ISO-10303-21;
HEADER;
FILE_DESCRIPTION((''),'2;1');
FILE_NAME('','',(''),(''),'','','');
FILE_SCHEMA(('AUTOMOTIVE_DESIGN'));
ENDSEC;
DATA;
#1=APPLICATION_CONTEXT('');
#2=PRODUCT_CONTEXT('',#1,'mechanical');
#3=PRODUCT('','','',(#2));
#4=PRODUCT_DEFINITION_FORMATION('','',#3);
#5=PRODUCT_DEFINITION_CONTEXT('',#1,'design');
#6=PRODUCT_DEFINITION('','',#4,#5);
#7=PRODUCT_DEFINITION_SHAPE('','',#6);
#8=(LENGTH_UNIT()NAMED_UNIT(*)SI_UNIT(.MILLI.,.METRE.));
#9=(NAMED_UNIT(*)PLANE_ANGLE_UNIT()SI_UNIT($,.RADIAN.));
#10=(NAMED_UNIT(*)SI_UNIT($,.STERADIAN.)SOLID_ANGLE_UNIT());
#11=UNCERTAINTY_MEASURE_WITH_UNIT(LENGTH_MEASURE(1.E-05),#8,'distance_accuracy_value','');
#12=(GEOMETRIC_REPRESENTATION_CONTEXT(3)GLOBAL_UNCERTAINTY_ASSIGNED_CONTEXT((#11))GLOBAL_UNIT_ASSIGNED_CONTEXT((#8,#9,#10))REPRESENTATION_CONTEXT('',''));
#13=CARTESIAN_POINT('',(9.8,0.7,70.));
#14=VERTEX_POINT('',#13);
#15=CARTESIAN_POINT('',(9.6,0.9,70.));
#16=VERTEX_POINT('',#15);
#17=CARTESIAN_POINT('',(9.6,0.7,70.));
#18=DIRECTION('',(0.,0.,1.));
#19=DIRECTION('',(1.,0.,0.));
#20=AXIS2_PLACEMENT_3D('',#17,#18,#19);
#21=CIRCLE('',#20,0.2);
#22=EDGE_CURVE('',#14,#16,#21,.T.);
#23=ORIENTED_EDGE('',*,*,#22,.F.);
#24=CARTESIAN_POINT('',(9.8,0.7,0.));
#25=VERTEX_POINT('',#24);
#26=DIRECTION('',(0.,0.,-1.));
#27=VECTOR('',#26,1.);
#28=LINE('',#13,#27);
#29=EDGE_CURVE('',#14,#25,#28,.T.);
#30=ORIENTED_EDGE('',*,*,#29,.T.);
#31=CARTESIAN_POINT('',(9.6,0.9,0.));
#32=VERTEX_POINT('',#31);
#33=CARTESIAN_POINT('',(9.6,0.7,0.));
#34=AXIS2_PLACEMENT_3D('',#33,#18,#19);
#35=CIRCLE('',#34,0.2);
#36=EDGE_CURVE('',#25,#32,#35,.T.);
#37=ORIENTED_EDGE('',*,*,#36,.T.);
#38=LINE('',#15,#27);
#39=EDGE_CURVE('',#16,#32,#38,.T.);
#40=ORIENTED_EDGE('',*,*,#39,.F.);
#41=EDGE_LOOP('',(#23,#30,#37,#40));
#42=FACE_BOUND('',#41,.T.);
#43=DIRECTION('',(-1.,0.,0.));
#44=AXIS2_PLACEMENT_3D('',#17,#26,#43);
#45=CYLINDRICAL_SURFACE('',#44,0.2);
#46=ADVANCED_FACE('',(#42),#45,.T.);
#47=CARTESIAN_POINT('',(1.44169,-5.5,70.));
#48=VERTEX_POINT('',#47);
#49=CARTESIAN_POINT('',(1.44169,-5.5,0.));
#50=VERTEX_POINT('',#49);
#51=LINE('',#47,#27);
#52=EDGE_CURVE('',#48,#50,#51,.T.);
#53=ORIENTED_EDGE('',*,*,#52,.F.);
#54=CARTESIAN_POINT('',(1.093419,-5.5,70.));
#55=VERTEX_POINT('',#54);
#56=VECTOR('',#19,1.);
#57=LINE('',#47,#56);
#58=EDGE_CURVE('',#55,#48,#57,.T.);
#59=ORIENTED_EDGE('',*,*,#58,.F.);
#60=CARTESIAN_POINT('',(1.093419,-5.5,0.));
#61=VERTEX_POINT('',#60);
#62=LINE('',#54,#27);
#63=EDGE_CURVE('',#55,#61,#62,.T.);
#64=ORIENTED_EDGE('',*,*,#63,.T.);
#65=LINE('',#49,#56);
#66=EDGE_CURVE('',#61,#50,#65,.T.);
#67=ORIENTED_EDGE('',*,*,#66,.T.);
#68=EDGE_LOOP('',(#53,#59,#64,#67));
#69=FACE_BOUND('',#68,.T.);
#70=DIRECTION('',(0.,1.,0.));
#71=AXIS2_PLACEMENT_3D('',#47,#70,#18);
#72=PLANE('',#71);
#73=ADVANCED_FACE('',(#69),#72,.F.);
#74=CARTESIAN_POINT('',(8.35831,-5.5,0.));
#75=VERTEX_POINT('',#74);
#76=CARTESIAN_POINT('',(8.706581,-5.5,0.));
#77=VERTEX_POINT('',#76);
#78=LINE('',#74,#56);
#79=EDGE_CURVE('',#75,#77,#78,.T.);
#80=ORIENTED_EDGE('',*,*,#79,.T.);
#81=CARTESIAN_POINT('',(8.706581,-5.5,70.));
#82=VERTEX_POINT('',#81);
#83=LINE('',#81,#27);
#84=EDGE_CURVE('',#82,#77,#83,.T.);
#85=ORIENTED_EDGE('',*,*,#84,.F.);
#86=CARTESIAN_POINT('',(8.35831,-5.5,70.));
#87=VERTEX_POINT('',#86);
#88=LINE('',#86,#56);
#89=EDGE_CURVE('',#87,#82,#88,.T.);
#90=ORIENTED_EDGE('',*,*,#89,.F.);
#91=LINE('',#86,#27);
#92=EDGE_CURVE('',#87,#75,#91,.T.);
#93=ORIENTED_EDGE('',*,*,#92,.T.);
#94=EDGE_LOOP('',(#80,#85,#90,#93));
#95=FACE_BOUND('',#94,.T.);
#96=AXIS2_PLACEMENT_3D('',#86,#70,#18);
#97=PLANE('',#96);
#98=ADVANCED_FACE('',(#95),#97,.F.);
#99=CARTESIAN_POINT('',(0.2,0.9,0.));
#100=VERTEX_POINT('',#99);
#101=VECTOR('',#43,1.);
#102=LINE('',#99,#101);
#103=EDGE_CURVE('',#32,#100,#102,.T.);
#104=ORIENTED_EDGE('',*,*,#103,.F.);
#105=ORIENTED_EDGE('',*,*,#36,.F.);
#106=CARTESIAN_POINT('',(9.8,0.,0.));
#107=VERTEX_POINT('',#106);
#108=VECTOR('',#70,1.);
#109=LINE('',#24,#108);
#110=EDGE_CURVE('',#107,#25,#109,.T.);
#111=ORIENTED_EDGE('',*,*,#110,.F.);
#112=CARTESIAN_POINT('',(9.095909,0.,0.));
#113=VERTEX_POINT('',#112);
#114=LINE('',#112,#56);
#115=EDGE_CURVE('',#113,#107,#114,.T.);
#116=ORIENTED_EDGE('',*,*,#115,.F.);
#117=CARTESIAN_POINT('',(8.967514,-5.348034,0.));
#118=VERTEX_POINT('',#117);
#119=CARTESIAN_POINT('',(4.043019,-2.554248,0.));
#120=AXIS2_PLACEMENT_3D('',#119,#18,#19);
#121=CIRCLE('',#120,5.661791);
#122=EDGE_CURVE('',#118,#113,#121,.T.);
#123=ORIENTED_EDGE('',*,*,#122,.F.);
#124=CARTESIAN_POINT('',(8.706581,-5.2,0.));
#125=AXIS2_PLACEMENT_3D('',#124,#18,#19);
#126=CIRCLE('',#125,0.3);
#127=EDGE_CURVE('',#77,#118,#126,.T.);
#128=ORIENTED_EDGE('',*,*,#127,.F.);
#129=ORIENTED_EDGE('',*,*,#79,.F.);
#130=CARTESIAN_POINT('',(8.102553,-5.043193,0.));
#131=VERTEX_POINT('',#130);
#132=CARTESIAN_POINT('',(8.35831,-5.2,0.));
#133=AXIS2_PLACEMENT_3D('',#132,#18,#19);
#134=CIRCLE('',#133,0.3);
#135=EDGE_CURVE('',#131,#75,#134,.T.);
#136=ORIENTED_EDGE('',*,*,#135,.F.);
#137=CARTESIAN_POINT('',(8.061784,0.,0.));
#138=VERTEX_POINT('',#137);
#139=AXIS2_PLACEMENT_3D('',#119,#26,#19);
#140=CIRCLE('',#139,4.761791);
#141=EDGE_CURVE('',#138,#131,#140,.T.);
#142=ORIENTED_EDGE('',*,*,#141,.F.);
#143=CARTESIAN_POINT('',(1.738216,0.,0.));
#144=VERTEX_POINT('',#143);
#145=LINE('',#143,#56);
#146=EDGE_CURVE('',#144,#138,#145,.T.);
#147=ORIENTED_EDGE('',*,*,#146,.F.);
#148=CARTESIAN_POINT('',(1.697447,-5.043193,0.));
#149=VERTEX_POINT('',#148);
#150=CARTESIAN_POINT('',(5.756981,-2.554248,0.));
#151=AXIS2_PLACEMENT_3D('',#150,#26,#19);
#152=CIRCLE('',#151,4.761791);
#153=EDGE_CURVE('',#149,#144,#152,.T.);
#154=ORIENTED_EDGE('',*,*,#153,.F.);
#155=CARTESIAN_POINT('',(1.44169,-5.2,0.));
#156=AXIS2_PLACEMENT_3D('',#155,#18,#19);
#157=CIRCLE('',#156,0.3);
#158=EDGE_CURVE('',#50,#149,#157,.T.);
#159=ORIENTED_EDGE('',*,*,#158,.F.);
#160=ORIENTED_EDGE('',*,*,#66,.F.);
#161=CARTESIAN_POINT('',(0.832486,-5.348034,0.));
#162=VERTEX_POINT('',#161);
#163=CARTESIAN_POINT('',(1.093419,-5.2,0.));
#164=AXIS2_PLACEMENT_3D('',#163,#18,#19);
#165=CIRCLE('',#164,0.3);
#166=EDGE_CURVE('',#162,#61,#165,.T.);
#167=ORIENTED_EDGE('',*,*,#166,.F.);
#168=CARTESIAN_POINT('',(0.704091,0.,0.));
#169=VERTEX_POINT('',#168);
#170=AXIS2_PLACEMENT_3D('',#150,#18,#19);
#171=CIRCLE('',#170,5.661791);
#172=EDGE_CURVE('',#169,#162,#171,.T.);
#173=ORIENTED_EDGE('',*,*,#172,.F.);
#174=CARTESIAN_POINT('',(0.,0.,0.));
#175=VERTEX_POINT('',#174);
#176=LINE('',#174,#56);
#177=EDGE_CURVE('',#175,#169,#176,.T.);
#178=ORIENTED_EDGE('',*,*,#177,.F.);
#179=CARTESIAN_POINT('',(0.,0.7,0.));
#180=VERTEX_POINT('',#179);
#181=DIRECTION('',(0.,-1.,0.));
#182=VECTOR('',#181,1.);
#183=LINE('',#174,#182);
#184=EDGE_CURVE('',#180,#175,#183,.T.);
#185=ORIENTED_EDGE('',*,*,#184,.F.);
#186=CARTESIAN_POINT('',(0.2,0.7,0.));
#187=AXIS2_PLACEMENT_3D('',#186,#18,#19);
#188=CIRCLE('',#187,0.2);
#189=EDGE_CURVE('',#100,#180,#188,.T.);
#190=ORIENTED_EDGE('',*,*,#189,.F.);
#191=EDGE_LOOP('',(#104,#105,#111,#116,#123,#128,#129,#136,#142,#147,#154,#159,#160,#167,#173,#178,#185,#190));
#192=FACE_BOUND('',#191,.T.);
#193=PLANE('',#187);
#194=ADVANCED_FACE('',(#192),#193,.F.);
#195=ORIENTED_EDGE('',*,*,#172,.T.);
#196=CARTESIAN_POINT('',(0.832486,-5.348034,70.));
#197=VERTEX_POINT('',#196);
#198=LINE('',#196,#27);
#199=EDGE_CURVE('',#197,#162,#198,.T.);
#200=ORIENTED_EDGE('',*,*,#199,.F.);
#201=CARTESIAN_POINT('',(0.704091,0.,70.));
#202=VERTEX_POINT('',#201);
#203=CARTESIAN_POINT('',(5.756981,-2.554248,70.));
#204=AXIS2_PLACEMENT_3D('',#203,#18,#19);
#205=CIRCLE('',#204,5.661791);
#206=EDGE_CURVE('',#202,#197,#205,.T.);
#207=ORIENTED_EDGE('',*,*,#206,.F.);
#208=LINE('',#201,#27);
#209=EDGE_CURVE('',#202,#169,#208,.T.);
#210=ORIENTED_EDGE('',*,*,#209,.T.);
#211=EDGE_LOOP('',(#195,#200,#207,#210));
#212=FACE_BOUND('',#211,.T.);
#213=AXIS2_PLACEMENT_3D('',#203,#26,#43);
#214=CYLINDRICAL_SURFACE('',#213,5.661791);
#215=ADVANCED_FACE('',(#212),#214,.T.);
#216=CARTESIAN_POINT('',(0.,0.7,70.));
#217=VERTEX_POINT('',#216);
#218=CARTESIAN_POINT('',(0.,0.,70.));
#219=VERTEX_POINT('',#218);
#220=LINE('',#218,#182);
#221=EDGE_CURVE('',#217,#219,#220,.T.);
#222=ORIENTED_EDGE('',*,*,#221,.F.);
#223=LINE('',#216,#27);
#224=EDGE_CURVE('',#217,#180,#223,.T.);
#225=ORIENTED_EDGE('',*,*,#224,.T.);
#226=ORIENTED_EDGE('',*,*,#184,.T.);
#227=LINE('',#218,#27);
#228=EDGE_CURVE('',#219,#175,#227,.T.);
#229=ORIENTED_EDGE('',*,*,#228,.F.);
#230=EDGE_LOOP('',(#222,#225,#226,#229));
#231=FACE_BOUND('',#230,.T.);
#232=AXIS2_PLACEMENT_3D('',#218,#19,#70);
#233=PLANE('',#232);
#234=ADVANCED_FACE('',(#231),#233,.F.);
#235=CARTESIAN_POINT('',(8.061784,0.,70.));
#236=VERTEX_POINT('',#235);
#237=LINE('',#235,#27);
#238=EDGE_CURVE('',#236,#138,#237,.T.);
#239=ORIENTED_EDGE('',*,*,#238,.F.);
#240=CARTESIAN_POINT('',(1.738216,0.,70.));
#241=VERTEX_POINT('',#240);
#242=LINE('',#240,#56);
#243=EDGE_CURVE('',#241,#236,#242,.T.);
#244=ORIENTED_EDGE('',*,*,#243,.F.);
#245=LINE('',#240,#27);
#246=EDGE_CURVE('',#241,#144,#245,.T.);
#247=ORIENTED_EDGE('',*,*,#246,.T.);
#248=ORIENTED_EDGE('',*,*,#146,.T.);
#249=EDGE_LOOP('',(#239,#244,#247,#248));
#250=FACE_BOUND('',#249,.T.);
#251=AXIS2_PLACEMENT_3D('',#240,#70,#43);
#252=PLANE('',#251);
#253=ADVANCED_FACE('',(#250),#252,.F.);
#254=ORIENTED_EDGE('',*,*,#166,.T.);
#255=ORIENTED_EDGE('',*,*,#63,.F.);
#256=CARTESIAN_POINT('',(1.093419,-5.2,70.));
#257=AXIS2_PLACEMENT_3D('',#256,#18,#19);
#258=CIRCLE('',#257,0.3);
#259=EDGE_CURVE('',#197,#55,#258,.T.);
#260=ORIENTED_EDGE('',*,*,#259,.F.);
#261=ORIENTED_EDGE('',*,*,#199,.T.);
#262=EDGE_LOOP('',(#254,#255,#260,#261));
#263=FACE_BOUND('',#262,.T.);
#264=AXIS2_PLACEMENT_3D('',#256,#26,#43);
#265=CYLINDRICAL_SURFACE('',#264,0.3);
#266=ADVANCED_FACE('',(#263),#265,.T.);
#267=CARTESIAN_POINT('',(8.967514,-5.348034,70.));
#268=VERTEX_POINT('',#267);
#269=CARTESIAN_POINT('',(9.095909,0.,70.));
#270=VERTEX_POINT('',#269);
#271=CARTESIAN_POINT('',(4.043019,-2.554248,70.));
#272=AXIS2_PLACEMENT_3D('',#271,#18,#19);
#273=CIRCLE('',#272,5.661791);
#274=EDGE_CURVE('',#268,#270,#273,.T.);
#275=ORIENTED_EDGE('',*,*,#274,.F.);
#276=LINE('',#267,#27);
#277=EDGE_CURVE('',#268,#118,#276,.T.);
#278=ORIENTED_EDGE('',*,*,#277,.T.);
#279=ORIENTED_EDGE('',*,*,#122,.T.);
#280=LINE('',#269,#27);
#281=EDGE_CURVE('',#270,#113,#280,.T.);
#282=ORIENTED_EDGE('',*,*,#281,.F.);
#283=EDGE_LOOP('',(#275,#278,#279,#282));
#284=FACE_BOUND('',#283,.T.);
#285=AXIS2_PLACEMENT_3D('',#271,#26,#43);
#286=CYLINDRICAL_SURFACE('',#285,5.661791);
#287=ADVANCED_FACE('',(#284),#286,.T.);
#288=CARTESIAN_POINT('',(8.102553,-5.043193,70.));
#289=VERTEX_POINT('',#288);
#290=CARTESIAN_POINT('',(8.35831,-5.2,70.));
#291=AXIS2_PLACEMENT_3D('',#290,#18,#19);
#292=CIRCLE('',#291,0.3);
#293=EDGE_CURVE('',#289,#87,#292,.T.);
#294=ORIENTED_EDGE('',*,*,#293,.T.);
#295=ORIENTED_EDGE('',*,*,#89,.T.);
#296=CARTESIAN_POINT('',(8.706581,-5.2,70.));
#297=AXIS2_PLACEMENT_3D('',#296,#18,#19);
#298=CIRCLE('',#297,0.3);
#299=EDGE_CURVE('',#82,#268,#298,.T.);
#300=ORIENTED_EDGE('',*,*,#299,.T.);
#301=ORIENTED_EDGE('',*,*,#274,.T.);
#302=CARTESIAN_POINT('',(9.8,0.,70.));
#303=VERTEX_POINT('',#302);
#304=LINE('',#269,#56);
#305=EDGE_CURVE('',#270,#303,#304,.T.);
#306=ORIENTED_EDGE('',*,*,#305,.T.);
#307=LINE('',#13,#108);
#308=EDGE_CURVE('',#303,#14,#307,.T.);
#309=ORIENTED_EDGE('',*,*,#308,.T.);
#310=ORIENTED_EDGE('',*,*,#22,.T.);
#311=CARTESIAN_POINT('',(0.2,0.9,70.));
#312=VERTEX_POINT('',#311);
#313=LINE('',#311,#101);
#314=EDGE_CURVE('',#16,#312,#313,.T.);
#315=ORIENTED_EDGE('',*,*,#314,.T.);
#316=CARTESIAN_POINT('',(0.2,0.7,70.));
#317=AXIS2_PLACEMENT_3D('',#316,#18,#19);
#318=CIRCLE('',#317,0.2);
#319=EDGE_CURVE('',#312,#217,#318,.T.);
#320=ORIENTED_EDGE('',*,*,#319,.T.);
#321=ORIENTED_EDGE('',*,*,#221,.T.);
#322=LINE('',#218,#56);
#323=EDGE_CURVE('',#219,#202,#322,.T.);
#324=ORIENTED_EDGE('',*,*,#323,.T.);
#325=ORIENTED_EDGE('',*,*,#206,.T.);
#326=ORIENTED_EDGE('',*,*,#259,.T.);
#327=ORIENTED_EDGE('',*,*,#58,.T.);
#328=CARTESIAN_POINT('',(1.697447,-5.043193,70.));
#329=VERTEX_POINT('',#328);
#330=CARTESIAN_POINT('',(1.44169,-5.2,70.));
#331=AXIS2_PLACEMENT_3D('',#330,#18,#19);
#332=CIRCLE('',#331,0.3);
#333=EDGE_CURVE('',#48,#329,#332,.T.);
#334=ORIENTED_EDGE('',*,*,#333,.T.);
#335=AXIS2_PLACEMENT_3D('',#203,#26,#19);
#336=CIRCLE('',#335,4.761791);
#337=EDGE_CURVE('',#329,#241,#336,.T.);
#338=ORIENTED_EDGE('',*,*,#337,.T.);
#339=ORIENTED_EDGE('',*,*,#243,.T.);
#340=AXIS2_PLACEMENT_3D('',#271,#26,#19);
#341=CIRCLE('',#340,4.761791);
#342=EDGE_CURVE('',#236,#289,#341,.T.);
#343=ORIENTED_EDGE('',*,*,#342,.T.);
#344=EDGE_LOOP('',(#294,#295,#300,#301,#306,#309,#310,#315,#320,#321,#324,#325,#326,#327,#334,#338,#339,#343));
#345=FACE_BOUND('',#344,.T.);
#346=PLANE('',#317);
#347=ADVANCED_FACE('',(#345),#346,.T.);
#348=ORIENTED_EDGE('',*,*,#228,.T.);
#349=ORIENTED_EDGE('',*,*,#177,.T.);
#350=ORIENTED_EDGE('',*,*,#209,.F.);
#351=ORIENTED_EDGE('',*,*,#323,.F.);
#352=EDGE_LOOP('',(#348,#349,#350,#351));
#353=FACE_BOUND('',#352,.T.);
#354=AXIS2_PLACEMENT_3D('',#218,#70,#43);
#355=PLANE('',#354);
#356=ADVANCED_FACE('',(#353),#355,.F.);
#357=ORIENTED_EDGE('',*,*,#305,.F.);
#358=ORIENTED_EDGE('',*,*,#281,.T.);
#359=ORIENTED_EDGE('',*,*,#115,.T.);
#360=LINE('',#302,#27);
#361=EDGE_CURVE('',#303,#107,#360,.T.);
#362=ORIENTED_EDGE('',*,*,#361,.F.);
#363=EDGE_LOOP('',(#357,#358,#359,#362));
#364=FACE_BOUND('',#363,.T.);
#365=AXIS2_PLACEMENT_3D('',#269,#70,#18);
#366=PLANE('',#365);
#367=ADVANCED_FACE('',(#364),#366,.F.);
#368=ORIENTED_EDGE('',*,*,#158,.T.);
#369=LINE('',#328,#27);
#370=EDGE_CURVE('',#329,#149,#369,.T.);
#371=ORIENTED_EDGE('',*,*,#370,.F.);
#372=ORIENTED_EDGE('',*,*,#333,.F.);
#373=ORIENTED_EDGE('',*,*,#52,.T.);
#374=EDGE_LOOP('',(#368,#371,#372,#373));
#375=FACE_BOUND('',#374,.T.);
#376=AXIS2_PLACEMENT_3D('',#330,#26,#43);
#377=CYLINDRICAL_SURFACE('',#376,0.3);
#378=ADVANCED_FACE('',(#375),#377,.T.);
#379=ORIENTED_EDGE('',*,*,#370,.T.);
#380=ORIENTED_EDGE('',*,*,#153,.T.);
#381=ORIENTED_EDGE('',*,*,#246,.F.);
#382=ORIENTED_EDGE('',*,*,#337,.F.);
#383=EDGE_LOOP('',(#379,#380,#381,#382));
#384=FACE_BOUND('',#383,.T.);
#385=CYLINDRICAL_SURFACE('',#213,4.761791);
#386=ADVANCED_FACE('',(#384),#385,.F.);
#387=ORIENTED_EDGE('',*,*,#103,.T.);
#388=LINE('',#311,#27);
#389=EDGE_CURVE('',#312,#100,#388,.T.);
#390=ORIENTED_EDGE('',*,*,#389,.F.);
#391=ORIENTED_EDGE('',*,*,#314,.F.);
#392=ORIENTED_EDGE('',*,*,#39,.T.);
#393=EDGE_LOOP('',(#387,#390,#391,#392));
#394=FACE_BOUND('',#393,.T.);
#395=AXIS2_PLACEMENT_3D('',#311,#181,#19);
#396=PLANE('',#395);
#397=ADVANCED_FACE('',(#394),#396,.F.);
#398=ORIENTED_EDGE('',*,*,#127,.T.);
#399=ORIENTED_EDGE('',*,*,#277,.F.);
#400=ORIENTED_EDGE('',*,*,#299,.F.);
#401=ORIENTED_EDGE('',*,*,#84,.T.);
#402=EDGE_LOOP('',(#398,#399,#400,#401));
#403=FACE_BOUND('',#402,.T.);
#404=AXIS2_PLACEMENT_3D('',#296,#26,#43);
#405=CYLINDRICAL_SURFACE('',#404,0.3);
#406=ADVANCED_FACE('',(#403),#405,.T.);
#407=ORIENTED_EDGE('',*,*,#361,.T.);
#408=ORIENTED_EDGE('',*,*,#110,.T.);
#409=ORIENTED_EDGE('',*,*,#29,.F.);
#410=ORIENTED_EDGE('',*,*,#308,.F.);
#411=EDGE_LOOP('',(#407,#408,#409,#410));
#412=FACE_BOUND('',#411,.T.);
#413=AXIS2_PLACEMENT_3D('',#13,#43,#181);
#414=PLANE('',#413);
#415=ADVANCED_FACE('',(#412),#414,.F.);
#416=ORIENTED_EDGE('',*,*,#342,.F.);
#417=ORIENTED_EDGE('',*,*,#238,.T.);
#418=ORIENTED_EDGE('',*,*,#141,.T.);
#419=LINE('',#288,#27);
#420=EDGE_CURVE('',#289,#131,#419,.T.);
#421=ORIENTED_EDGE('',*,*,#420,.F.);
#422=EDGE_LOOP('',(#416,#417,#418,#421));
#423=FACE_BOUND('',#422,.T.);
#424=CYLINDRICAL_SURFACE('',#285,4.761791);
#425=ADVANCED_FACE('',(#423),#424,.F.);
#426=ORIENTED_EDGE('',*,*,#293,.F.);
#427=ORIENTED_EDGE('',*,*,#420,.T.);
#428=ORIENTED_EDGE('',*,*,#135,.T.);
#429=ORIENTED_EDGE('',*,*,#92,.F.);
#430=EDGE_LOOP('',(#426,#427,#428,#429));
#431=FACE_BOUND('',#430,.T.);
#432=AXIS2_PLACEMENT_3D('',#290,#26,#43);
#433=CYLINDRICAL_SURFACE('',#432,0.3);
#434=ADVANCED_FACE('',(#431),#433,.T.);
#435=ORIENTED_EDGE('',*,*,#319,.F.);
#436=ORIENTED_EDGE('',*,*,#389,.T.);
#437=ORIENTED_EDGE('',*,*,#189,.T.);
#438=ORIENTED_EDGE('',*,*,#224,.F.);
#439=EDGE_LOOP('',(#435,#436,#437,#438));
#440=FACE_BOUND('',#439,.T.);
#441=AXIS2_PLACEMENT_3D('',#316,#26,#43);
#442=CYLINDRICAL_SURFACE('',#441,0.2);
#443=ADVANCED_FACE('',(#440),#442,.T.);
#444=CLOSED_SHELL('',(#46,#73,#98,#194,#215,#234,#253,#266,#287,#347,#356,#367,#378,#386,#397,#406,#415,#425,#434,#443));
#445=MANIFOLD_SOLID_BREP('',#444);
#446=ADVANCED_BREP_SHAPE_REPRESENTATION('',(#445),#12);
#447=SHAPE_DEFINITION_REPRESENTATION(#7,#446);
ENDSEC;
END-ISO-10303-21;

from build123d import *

# Parameters (mm, degrees)
EXTRUDE_1_DEPTH = 70


with BuildPart() as part:
    # 草图1 → 凸台-拉伸1 (new body)
    with BuildSketch(Plane.XY):
        with BuildLine():
            Line((0.2, 0.9), (9.6, 0.9))
            ThreePointArc((9.6, 0.9), (9.741421356, 0.841421356), (9.8, 0.7))
            Line((9.8, 0.7), (9.8, 0))
            Line((9.8, 0), (9.095909231, 0))
            ThreePointArc((9.095909231, 0), (9.703179683, -2.690137412), (8.967513749, -5.348033635))
            ThreePointArc((8.967513749, -5.348033635), (8.857560706, -5.459239359), (8.706580725, -5.5))
            Line((8.706580725, -5.5), (8.358309598, -5.5))
            ThreePointArc((8.358309598, -5.5), (8.096544276, -5.34655687), (8.10255289, -5.043192773))
            ThreePointArc((8.10255289, -5.043192773), (8.804655076, -2.515755891), (8.061784314, 0))
            Line((8.061784314, 0), (1.738215686, 0))
            ThreePointArc((1.738215686, 0), (0.995344924, -2.515755891), (1.69744711, -5.043192773))
            ThreePointArc((1.69744711, -5.043192773), (1.703455724, -5.34655687), (1.441690402, -5.5))
            Line((1.441690402, -5.5), (1.093419275, -5.5))
            ThreePointArc((1.093419275, -5.5), (0.942439294, -5.459239359), (0.832486251, -5.348033635))
            ThreePointArc((0.832486251, -5.348033635), (0.096820317, -2.690137412), (0.704090769, 0))
            Line((0.704090769, 0), (0, 0))
            Line((0, 0), (0, 0.7))
            ThreePointArc((0, 0.7), (0.058578644, 0.841421356), (0.2, 0.9))
        make_face()
    extrude(amount=EXTRUDE_1_DEPTH)


solid = part.part
